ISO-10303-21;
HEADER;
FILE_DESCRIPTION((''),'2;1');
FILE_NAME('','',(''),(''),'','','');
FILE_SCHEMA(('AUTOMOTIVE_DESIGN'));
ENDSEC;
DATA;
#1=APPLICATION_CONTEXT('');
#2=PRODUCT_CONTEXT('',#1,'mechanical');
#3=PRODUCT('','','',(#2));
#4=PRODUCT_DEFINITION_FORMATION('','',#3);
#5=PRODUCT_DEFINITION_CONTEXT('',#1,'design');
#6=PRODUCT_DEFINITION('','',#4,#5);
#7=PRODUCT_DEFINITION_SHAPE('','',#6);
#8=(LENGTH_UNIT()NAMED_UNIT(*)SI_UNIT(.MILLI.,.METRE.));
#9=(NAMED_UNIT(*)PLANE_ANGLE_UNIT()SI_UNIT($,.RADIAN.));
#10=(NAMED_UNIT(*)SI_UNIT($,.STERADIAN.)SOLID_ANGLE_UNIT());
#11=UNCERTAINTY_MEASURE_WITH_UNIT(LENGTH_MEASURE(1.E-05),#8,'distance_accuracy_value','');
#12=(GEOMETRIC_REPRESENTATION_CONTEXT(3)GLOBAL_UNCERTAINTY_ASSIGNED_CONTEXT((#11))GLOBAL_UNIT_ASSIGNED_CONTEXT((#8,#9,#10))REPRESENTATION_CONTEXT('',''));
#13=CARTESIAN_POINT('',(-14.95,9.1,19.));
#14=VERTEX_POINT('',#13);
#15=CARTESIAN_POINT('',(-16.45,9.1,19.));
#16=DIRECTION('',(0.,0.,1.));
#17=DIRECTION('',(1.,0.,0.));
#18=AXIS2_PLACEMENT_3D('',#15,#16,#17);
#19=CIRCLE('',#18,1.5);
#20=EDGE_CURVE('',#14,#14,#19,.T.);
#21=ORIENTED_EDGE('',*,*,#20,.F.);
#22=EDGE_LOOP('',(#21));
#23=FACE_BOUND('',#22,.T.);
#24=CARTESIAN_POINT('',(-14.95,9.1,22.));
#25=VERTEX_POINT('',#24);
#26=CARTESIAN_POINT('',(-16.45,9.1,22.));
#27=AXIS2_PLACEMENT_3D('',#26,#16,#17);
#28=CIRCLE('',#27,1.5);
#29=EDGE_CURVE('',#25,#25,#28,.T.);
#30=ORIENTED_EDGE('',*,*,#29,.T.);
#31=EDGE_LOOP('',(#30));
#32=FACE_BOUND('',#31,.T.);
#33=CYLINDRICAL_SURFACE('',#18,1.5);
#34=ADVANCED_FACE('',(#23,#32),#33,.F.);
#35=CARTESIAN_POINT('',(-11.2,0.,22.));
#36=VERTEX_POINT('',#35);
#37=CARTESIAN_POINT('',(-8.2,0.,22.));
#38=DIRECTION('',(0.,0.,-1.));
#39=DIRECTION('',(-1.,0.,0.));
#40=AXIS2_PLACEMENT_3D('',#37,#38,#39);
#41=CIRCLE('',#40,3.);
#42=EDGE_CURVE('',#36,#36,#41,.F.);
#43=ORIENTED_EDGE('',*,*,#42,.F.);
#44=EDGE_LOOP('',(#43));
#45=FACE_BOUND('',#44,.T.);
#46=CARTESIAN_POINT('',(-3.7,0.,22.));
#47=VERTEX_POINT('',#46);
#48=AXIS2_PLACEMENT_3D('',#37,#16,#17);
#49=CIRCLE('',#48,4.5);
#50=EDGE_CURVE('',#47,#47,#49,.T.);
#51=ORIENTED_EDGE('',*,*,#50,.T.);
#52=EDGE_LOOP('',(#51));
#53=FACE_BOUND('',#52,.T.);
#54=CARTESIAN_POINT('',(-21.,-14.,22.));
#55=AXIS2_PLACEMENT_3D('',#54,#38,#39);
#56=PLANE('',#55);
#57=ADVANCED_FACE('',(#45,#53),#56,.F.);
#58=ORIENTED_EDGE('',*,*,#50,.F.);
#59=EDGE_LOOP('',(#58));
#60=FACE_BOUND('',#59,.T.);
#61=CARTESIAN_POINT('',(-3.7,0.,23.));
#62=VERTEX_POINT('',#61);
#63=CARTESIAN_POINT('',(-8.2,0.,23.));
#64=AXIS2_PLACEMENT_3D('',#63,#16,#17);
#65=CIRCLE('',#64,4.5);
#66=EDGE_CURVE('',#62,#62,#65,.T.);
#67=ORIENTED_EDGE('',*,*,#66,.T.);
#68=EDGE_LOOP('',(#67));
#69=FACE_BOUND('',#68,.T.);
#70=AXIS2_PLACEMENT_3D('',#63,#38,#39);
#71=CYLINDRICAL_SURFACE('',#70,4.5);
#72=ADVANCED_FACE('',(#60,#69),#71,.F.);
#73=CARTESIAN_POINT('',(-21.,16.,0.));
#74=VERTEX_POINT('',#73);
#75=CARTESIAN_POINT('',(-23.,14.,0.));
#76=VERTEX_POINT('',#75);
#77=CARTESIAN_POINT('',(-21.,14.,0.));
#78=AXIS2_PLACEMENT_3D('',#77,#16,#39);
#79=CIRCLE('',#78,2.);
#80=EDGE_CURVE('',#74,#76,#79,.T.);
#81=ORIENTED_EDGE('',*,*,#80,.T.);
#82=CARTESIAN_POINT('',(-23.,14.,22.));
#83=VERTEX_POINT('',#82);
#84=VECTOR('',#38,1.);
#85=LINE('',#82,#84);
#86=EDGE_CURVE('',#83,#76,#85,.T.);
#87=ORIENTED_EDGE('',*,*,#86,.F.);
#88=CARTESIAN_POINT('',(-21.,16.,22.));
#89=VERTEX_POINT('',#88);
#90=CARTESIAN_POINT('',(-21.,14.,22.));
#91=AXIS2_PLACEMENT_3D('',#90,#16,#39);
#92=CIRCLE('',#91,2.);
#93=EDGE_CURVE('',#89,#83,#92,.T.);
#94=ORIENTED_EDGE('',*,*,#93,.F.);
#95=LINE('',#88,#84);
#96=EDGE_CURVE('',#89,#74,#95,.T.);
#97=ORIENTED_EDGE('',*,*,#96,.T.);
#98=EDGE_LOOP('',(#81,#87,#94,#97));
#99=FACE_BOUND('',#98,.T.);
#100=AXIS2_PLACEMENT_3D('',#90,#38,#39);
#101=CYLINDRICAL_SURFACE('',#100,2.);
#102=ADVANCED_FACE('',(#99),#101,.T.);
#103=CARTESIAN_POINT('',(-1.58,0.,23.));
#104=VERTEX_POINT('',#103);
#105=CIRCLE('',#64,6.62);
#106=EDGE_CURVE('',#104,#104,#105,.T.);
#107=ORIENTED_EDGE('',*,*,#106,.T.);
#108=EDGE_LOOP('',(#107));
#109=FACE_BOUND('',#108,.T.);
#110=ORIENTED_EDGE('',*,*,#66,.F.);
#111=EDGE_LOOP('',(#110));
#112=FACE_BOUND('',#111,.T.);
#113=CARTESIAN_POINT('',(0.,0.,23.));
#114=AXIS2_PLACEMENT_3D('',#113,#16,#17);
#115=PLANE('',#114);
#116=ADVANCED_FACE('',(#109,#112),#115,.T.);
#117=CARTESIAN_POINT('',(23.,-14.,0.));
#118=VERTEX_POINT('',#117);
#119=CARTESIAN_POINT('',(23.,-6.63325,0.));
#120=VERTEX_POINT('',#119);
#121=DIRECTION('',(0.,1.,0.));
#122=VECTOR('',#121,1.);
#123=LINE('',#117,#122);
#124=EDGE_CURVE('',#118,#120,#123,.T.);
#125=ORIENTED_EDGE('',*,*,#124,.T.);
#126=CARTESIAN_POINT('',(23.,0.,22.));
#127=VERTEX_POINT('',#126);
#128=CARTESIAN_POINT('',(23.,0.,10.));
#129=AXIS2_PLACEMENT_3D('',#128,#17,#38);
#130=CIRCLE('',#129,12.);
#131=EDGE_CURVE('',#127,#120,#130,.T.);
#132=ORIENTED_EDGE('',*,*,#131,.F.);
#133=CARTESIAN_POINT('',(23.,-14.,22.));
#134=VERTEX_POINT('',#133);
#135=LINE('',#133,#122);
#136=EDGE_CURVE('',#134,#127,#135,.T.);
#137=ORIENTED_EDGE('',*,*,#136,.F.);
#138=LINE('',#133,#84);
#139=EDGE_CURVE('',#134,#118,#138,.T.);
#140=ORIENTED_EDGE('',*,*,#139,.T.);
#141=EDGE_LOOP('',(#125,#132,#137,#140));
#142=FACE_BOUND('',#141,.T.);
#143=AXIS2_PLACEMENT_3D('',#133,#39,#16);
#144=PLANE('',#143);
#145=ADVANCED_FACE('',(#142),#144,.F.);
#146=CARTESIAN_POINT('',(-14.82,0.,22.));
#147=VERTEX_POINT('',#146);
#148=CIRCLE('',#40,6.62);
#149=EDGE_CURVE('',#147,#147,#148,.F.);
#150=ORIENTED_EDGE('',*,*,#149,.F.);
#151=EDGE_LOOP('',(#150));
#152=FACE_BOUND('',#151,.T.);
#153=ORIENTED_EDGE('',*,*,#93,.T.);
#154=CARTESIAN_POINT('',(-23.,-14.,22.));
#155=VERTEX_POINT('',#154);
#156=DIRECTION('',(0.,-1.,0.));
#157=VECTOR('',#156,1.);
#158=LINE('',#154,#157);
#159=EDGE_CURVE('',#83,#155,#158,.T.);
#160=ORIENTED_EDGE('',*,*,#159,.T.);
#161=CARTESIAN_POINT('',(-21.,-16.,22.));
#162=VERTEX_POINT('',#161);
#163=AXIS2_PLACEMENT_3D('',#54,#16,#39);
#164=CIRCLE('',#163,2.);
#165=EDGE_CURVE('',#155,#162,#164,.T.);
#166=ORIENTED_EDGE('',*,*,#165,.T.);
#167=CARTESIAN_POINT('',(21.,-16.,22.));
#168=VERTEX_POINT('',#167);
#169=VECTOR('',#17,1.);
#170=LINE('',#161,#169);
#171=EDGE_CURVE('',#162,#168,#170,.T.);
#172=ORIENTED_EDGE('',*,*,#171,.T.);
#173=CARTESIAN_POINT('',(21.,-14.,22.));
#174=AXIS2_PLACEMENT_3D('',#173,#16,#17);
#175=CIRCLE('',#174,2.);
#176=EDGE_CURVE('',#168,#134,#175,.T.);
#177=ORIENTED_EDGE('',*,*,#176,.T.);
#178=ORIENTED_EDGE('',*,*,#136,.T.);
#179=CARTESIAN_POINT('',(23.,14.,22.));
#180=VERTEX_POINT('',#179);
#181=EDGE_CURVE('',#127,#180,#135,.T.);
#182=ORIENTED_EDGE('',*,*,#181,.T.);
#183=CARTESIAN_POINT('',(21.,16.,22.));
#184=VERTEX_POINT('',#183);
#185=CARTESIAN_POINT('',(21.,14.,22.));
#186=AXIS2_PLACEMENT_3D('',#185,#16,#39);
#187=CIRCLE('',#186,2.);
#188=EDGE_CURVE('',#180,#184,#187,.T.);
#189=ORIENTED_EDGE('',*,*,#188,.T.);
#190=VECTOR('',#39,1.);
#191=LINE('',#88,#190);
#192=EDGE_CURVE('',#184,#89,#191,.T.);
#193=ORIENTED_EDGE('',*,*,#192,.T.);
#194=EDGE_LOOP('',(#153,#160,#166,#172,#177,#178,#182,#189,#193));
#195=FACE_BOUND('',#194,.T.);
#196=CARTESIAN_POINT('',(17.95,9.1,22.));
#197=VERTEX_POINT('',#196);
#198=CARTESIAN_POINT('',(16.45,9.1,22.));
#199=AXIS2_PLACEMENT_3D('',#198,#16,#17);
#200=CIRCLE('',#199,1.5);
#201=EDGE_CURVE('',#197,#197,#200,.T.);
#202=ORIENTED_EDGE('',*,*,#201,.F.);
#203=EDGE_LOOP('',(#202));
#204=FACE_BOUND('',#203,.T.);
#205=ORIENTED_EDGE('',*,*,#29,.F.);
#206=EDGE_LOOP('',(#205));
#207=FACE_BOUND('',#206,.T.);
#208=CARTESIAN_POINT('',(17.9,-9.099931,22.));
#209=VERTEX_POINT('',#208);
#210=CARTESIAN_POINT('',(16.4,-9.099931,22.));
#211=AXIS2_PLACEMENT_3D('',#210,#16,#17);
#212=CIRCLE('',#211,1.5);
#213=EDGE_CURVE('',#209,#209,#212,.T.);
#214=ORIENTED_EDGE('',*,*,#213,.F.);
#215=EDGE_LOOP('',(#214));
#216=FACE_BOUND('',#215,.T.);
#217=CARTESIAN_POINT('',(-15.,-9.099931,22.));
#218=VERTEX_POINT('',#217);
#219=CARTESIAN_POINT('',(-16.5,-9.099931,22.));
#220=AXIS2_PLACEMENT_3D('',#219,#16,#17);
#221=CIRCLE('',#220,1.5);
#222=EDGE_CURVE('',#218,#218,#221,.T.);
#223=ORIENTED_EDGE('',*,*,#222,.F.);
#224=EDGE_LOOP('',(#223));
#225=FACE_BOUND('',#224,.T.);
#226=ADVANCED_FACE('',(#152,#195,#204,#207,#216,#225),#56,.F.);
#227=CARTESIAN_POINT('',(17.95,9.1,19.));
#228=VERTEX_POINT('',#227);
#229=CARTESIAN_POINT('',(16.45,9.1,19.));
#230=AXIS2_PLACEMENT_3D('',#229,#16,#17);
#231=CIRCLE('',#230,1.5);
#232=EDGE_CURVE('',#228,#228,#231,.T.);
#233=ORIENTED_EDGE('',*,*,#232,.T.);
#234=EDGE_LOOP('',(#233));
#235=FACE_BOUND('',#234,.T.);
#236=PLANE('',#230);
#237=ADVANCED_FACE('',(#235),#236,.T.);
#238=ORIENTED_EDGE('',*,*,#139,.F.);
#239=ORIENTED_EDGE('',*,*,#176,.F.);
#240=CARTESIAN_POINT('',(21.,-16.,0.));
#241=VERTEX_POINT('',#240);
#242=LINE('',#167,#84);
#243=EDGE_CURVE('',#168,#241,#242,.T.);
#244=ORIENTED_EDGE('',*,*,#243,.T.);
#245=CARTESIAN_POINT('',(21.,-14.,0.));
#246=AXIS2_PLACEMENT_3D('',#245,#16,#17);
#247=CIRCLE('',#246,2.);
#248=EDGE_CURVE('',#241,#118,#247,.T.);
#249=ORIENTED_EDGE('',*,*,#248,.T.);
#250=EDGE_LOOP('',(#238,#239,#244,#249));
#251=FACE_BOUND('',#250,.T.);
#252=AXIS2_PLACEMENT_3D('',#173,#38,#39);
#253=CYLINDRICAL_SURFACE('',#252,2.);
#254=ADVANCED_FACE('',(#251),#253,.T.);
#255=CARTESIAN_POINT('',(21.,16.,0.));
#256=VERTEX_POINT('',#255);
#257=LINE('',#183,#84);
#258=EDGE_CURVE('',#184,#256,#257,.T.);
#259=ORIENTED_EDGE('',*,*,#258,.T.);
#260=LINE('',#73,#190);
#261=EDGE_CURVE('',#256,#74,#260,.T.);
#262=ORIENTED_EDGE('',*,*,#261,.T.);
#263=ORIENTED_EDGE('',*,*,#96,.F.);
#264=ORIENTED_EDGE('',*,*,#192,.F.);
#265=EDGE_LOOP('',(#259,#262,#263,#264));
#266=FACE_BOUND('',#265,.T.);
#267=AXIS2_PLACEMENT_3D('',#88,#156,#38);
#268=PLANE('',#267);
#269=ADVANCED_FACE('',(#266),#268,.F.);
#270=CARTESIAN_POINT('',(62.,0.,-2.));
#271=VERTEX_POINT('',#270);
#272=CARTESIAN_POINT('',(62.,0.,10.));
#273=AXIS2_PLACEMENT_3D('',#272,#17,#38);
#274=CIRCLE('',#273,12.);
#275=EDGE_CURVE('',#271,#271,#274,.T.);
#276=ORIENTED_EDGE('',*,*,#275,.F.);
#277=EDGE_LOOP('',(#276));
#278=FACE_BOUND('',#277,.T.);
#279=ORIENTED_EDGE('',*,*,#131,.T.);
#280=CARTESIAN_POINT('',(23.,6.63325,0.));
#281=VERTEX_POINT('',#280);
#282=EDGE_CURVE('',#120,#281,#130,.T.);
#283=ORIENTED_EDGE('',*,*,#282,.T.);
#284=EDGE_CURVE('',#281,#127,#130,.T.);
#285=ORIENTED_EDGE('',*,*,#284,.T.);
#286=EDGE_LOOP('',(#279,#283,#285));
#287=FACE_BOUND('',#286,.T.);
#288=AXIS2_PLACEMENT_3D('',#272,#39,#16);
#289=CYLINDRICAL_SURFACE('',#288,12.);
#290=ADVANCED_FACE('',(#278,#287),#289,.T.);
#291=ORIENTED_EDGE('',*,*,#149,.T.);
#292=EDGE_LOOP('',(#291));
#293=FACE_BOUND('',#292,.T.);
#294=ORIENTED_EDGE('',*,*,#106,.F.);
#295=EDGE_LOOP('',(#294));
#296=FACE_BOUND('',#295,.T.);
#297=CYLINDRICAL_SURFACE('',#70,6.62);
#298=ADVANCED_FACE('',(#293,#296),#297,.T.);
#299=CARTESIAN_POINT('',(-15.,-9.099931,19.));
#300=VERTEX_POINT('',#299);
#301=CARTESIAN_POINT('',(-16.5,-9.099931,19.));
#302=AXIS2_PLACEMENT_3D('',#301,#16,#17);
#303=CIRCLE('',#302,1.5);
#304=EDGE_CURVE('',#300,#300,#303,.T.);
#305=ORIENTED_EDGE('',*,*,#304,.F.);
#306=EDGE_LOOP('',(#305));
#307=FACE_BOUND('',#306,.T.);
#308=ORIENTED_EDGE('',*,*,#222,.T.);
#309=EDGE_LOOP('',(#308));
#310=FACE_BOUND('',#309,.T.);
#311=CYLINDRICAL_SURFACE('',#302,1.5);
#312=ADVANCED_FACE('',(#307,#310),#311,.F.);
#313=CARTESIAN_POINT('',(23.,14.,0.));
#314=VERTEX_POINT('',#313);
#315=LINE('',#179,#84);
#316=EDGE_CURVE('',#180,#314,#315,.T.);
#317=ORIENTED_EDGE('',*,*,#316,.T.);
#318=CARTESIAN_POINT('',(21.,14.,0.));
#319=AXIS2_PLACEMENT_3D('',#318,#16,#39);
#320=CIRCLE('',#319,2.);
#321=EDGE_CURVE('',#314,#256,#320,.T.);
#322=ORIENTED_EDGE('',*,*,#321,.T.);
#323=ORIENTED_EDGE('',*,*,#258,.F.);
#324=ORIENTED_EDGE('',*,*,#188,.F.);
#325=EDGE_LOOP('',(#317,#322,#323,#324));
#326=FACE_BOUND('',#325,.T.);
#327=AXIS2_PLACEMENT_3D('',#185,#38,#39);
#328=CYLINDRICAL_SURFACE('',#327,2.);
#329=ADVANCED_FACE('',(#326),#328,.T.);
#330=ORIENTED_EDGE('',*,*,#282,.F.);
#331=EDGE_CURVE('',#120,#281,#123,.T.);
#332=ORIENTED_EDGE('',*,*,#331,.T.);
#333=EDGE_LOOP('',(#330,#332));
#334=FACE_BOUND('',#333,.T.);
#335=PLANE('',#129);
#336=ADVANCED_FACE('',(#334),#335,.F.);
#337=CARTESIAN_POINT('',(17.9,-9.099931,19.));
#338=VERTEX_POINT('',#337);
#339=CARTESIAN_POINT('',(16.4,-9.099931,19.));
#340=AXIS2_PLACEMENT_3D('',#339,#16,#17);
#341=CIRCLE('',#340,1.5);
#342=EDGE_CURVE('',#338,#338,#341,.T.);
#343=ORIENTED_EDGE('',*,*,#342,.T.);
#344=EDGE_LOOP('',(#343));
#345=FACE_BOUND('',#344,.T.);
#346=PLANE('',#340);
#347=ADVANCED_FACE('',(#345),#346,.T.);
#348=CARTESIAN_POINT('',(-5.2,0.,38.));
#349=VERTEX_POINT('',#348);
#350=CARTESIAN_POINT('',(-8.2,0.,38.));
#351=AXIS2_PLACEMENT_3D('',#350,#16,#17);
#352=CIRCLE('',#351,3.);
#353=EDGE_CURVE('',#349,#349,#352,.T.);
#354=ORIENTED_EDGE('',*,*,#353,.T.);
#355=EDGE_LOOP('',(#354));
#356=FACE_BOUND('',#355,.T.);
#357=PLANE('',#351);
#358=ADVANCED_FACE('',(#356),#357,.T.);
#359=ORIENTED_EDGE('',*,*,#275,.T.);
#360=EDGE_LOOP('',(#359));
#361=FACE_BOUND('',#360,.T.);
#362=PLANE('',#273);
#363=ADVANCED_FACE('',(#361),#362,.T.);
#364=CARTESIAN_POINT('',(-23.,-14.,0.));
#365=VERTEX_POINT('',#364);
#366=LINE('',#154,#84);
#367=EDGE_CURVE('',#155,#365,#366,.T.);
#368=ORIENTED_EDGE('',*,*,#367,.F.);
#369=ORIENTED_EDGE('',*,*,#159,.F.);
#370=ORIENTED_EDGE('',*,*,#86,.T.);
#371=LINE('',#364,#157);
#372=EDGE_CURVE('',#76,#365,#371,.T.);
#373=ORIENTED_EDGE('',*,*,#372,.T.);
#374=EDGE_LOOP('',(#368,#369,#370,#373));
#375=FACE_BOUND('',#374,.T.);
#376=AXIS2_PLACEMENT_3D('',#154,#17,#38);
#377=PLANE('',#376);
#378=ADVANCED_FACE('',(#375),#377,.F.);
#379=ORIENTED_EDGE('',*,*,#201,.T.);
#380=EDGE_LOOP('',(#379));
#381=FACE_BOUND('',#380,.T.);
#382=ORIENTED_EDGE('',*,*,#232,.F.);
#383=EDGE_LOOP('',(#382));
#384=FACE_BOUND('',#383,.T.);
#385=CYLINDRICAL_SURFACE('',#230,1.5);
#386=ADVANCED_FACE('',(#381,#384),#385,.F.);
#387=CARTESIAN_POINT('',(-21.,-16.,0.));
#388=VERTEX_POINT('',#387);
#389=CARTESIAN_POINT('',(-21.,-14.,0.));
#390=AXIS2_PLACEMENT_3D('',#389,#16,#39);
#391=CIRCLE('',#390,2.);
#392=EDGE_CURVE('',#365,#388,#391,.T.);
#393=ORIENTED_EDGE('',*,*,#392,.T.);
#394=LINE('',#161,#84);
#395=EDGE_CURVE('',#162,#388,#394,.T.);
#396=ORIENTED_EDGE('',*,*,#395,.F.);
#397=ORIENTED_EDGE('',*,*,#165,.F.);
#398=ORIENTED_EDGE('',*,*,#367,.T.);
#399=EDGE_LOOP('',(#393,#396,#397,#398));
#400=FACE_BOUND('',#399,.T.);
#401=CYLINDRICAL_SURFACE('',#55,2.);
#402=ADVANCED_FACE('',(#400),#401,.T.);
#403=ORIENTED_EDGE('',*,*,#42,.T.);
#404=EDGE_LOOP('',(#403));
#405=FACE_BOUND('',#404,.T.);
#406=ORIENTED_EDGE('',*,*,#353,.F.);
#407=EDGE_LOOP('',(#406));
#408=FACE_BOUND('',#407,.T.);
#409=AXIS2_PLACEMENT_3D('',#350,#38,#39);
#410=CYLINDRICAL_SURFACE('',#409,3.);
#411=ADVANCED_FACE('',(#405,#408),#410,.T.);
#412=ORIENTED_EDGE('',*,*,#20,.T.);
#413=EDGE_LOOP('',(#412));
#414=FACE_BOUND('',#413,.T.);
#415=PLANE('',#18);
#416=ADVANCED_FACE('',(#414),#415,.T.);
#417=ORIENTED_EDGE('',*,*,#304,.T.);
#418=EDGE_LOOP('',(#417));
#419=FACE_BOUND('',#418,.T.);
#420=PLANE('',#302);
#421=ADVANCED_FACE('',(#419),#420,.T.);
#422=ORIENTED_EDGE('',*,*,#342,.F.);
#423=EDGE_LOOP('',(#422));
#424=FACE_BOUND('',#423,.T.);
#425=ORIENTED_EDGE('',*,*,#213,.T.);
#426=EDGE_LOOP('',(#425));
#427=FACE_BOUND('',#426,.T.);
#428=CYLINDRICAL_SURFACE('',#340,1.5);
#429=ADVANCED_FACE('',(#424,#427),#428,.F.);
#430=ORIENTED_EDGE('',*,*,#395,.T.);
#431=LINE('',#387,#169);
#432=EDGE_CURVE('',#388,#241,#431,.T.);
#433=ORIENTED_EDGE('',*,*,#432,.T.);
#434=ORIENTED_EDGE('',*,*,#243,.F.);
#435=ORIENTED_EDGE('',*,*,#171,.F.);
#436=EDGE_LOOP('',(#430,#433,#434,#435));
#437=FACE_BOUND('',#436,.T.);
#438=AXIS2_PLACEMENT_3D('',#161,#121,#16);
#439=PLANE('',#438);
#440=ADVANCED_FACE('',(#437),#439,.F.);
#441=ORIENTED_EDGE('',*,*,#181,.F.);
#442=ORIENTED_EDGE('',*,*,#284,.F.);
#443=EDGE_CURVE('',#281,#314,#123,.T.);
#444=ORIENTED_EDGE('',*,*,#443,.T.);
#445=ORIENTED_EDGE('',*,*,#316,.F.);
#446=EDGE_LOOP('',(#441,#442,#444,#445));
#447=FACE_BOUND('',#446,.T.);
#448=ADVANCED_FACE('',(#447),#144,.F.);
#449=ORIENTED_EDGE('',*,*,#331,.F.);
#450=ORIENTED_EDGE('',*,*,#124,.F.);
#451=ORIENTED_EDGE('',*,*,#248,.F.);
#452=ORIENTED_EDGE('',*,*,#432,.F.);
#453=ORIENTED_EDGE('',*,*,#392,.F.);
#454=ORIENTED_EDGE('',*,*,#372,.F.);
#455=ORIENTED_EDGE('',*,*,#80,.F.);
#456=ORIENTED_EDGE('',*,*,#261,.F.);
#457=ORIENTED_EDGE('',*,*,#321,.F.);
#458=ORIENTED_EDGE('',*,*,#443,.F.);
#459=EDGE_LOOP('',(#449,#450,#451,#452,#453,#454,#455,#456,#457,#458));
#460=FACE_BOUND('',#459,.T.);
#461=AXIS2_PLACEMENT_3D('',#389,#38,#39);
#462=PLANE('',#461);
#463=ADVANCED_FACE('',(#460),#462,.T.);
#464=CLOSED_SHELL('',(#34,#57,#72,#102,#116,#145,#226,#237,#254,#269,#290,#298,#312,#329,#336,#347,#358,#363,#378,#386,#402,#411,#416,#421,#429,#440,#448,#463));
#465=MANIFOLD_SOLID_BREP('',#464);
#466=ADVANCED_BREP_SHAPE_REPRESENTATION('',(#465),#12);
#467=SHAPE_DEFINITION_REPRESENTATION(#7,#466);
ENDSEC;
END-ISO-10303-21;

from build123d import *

# Parameters (mm, degrees)
BOSS_EXTRUDE1_DEPTH = 22
SKETCH2_R           = 1.5
CUT_EXTRUDE1_DEPTH  = 3
SKETCH3_R           = 6.62
SKETCH3_R_2         = 4.5
BOSS_EXTRUDE2_DEPTH = 1
SKETCH3_3_R         = 3
BOSS_EXTRUDE3_DEPTH = 16
SKETCH4_R           = 12
BOSS_EXTRUDE4_DEPTH = 39


with BuildPart() as part:
    # Sketch1 → Boss-Extrude1 (new body)
    with BuildSketch(Plane.XY):
        with BuildLine():
            Line((-21, -16), (21, -16))
            ThreePointArc((21, -16), (22.414213562, -15.414213562), (23, -14))
            Line((23, -14), (23, 14))
            ThreePointArc((23, 14), (22.414213562, 15.414213562), (21, 16))
            Line((21, 16), (-21, 16))
            ThreePointArc((-21, 16), (-22.414213562, 15.414213562), (-23, 14))
            Line((-23, 14), (-23, -14))
            ThreePointArc((-23, -14), (-22.414213562, -15.414213562), (-21, -16))
        make_face()
    extrude(amount=BOSS_EXTRUDE1_DEPTH)

    # Sketch2 → Cut-Extrude1 (cut)
    with BuildSketch(Plane.XY.offset(22)):
        with Locations((-16.45, 9.1)):
            Circle(SKETCH2_R)
        with Locations((16.45, 9.1)):
            Circle(SKETCH2_R)
        with Locations((16.4, -9.099931319)):
            Circle(SKETCH2_R)
        with Locations((-16.5, -9.099931319)):
            Circle(SKETCH2_R)
    extrude(amount=-CUT_EXTRUDE1_DEPTH, mode=Mode.SUBTRACT)

    # Sketch3 → Boss-Extrude2 (add)
    with BuildSketch(Plane.XY.offset(22)):
        with Locations((-8.2, 0)):
            Circle(SKETCH3_R)
        with Locations((-8.2, 0)):
            Circle(SKETCH3_R_2, mode=Mode.SUBTRACT)
    extrude(amount=BOSS_EXTRUDE2_DEPTH)

    # Sketch3<3> → Boss-Extrude3 (add)
    with BuildSketch(Plane.XY.offset(22)):
        with Locations((-8.2, 0)):
            Circle(SKETCH3_3_R)
    extrude(amount=BOSS_EXTRUDE3_DEPTH)

    # Sketch4 → Boss-Extrude4 (add)
    with BuildSketch(Plane(origin=(23, 0, 0), x_dir=(0, 0, -1), z_dir=(1, 0, 0))):
        with Locations((-10, 0)):
            Circle(SKETCH4_R)
    extrude(amount=BOSS_EXTRUDE4_DEPTH)


solid = part.part
